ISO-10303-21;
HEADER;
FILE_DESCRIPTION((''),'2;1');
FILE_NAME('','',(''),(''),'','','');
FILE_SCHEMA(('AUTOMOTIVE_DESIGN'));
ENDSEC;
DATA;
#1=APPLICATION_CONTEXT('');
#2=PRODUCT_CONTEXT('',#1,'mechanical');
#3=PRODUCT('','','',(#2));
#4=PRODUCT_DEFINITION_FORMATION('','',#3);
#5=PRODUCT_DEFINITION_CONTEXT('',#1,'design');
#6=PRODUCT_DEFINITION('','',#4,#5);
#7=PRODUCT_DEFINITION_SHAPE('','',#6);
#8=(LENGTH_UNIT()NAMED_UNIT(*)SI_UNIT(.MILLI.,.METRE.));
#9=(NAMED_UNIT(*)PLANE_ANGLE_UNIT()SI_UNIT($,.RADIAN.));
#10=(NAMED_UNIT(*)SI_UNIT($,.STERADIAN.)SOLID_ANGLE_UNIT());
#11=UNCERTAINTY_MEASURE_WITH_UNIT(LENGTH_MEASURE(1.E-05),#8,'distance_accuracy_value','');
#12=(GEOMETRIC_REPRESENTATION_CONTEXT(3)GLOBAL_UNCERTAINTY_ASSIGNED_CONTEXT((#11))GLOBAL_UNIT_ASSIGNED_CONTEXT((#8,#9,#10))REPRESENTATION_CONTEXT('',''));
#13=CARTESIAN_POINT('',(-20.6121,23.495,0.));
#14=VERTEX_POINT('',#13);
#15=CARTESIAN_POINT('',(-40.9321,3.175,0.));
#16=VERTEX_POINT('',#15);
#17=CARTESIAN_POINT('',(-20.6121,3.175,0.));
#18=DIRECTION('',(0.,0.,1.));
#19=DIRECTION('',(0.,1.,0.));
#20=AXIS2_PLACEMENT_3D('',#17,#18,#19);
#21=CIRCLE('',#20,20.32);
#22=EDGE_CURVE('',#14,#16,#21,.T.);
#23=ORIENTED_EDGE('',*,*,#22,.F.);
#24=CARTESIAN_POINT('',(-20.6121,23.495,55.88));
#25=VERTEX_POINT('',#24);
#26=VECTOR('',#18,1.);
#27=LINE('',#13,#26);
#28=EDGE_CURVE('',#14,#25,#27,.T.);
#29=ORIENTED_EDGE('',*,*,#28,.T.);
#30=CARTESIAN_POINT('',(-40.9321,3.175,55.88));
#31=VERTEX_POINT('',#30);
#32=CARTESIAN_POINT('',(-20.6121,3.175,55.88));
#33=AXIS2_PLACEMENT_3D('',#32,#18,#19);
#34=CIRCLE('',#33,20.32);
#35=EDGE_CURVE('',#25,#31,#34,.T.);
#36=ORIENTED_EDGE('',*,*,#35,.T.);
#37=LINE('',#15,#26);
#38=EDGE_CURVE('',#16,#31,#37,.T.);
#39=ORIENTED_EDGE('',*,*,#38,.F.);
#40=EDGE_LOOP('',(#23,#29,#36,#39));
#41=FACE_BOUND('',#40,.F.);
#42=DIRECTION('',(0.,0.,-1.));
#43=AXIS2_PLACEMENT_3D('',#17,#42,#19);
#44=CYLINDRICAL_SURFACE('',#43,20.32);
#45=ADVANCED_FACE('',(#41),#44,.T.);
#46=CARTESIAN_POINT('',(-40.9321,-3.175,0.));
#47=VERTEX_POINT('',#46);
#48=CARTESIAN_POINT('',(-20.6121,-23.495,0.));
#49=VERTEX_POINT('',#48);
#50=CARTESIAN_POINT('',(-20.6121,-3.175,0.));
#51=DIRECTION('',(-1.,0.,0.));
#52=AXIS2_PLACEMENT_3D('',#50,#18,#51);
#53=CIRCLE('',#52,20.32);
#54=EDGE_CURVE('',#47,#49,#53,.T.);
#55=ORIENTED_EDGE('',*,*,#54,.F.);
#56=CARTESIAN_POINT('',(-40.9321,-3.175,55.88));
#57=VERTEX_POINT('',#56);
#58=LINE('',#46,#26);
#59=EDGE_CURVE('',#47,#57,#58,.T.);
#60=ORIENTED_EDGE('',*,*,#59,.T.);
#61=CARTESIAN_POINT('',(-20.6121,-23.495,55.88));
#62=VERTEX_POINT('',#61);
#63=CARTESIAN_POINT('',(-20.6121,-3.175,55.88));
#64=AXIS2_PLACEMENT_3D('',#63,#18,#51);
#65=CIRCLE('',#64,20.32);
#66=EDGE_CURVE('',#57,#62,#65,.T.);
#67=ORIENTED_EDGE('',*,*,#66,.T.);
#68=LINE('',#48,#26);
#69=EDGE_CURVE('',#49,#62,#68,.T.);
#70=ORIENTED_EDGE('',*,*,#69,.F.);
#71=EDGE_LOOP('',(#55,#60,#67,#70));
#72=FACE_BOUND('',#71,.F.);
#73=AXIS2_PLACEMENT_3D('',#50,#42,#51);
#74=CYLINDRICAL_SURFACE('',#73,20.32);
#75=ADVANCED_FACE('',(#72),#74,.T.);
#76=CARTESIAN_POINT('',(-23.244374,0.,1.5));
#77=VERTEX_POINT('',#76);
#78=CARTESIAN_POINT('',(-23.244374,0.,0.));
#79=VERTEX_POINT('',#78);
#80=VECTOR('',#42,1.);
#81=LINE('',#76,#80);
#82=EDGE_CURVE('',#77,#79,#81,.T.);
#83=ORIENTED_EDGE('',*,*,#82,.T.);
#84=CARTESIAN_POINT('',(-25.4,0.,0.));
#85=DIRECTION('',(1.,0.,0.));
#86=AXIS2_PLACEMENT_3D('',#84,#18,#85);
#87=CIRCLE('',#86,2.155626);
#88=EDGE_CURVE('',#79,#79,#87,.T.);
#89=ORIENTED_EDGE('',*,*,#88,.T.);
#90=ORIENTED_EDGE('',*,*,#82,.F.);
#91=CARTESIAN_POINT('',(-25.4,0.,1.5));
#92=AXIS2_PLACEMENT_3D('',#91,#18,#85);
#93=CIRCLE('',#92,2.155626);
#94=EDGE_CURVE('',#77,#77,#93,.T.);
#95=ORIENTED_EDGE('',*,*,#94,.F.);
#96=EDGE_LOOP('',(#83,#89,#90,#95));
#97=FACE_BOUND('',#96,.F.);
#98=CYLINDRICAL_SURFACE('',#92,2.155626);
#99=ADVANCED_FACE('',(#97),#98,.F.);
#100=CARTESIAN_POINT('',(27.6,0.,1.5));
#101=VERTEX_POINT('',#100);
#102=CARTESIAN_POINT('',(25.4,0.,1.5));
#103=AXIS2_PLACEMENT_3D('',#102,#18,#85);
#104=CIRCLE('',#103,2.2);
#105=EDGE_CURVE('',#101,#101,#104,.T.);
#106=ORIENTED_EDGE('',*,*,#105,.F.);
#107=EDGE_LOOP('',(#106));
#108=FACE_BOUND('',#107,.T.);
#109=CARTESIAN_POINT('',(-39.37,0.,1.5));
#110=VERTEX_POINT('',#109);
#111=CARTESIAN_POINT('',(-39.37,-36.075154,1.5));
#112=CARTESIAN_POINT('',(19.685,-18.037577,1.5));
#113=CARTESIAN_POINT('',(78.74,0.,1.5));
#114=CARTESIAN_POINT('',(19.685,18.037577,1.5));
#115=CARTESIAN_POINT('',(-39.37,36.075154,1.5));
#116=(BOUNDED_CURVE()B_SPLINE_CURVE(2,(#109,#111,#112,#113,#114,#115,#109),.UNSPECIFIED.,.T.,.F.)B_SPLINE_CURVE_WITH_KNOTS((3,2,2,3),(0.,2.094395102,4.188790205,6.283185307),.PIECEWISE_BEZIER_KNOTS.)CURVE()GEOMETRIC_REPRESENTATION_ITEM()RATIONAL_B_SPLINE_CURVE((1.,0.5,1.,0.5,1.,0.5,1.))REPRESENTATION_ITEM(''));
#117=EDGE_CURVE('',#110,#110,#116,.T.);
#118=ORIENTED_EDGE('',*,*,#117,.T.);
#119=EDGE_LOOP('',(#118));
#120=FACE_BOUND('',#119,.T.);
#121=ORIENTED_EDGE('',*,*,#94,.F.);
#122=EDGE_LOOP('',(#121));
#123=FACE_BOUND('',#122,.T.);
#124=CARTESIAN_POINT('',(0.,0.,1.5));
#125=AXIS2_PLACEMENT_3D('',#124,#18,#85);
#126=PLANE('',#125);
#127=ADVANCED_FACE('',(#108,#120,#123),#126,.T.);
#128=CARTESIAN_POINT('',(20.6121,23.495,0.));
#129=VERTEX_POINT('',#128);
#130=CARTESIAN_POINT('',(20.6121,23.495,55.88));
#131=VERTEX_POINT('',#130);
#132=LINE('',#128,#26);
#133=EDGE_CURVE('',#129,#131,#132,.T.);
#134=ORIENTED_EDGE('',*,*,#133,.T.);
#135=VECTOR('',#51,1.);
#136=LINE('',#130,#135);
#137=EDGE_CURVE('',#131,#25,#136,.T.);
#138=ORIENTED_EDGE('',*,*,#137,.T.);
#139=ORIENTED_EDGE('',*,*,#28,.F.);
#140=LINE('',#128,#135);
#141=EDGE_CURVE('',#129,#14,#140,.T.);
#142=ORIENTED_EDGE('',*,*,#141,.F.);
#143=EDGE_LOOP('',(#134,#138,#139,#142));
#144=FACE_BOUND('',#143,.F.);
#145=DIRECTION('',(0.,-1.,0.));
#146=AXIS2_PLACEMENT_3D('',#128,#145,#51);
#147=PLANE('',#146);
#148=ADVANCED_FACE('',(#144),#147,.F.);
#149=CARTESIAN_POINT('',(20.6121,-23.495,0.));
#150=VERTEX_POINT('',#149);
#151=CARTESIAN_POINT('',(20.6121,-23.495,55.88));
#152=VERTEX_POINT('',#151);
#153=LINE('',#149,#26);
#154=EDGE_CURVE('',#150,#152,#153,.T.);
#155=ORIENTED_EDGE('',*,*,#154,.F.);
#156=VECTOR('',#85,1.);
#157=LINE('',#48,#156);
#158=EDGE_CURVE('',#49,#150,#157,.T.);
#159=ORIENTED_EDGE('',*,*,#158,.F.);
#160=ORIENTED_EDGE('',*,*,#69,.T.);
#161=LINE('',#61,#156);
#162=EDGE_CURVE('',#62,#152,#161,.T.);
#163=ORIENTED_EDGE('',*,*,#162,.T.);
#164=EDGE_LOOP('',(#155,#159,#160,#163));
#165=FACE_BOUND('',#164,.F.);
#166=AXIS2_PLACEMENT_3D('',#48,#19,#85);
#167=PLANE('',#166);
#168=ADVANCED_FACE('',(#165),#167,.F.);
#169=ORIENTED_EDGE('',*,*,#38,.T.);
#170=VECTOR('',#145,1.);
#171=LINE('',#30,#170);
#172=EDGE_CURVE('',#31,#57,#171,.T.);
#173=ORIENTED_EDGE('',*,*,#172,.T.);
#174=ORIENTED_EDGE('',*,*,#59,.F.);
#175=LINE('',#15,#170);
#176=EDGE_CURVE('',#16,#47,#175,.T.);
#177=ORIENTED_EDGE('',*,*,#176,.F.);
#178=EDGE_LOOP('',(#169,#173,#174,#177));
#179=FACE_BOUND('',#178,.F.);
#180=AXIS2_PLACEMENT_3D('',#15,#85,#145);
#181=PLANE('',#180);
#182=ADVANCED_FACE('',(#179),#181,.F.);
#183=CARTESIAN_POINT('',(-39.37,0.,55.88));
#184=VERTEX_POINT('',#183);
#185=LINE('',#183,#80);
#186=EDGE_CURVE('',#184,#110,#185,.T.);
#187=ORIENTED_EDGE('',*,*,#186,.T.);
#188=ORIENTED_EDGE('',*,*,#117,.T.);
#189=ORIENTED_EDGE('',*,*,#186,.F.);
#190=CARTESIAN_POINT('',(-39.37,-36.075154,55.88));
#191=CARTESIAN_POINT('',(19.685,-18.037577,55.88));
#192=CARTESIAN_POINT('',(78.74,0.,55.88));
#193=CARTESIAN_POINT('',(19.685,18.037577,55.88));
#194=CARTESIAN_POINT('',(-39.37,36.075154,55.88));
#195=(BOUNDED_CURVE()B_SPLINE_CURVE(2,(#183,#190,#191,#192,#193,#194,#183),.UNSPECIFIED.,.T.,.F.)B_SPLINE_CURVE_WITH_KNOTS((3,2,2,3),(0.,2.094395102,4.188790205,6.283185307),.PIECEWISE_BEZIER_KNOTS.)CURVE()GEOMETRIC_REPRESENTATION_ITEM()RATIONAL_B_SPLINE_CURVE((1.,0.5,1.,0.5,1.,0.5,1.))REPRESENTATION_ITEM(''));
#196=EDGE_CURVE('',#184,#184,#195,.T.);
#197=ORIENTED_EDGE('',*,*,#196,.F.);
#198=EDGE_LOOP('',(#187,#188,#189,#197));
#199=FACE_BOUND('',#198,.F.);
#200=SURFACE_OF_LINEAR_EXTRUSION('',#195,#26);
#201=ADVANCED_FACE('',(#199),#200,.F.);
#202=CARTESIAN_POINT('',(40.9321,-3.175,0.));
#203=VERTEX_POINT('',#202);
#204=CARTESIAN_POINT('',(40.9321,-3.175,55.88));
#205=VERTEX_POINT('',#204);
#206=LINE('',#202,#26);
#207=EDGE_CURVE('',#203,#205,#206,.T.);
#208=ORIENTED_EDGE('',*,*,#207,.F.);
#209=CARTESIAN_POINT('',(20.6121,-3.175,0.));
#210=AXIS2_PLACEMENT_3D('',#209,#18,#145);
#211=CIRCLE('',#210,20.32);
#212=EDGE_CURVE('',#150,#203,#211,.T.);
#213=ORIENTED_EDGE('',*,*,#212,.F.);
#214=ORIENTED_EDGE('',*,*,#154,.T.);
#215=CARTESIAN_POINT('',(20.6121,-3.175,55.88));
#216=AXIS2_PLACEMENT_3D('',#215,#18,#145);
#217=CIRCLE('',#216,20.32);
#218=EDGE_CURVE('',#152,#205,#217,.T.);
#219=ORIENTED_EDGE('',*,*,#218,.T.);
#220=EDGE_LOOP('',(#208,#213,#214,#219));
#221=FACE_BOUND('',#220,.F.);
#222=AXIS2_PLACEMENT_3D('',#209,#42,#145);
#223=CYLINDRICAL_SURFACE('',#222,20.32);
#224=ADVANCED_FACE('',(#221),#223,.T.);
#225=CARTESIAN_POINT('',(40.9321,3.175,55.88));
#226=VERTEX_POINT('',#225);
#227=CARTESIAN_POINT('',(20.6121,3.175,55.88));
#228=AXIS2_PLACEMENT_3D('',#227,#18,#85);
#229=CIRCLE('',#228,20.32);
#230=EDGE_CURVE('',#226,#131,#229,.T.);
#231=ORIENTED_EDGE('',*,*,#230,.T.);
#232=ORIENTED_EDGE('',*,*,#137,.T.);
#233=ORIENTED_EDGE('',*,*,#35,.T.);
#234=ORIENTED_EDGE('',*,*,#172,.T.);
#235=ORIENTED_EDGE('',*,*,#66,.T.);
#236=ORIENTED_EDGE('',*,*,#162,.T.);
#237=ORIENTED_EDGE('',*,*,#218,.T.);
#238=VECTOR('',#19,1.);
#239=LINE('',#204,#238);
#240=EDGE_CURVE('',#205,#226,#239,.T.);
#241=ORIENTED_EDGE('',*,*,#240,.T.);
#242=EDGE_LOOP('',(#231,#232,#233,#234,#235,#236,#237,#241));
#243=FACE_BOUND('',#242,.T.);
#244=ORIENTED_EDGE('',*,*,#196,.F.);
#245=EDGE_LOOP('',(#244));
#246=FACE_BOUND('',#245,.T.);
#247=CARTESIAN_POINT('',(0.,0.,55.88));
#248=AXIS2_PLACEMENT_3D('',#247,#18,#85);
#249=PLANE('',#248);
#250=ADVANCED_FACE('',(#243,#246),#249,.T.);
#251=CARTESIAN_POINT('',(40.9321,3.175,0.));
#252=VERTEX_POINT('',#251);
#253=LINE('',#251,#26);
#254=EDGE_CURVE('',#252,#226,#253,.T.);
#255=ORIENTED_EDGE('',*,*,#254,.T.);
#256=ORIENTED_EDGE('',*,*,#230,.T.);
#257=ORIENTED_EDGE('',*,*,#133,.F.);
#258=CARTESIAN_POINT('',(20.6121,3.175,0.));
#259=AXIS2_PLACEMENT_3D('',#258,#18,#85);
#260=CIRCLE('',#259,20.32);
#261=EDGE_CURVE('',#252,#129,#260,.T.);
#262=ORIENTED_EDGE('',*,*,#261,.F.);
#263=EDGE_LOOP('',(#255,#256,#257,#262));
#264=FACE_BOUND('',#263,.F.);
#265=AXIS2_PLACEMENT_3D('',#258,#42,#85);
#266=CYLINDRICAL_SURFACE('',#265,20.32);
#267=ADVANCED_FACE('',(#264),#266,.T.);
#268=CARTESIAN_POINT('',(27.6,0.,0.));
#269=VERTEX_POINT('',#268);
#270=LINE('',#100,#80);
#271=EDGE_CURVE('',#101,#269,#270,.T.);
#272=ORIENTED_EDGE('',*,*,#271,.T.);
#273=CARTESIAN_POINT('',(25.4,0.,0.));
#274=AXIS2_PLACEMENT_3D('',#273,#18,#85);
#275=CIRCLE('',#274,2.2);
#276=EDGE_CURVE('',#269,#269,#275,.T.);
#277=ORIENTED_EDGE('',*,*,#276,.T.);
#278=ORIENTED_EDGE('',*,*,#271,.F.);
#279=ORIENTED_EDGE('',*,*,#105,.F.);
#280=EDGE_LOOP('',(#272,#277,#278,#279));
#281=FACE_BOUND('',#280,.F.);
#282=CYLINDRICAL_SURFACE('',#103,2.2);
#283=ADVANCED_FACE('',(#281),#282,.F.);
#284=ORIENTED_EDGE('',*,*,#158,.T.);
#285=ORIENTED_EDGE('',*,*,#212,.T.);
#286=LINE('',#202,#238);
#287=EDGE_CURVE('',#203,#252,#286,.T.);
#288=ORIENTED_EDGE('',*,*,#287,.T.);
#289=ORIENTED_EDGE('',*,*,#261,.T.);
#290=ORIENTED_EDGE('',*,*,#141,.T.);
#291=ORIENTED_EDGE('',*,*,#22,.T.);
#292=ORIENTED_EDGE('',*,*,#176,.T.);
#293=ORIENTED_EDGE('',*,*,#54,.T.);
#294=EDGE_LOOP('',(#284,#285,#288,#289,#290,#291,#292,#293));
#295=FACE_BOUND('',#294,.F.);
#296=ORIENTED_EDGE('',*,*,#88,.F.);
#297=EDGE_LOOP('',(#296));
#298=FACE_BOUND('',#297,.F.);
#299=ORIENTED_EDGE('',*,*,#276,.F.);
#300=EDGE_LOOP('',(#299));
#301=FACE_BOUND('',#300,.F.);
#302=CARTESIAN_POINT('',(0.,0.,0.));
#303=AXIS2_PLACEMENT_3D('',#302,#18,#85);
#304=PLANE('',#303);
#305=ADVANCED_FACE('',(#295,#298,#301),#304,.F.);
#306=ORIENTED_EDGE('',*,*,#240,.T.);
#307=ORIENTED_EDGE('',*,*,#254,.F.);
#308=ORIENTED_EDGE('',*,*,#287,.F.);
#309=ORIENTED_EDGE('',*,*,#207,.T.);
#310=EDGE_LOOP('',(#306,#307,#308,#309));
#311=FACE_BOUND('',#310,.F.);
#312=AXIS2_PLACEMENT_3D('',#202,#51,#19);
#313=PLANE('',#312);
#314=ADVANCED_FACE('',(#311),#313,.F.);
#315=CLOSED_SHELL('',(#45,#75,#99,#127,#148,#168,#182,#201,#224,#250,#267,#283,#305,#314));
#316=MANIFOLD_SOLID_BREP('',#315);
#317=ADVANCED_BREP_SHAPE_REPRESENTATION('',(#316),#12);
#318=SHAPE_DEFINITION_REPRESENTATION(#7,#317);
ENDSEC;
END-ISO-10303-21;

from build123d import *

# Parameters (mm, degrees)
F1_DEPTH = 55.88
F3_DEPTH = 54.38
F4_R     = 2.1556257218
F4_R_2   = 2.2
F5_DEPTH = 1.501


with BuildPart() as f1:
    # F0 (on Top) → F1 (new body)
    with BuildSketch(Plane.XY):
        with BuildLine():
            Line((20.6121, 23.495), (-20.6121, 23.495))
            ThreePointArc((-20.6121, 23.495), (-34.9805097937, 17.5434097937), (-40.9321, 3.175))
            Line((-40.9321, 3.175), (-40.9321, -3.175))
            ThreePointArc((-40.9321, -3.175), (-34.9805097937, -17.5434097937), (-20.6121, -23.495))
            Line((-20.6121, -23.495), (20.6121, -23.495))
            ThreePointArc((20.6121, -23.495), (34.9805097937, -17.5434097937), (40.9321, -3.175))
            Line((40.9321, -3.175), (40.9321, 3.175))
            ThreePointArc((40.9321, 3.175), (34.9805097937, 17.5434097937), (20.6121, 23.495))
        make_face()
    extrude(amount=F1_DEPTH)

    # F2 (on face) → F3 (cut, through all)
    with BuildSketch(Plane.XY.offset(55.88)):
        with BuildLine():
            add(Edge.make_bspline(
                [(-39.37, 0), (-39.37, -36.07515422), (19.685, -18.03757711), (78.74, 0), (19.685, 18.03757711), (-39.37, 36.07515422), (-39.37, 0)],
                knots=[0, 0, 0, 2.0943951024, 2.0943951024, 4.1887902048, 4.1887902048, 6.2831853072, 6.2831853072, 6.2831853072], degree=2, weights=[1, 0.5, 1, 0.5, 1, 0.5, 1]))
        make_face()
    extrude(amount=-F3_DEPTH, mode=Mode.SUBTRACT)

    # F4 (on face) → F5 (cut, through all)
    with BuildSketch(Plane.XY.offset(1.5)):
        with Locations((-25.4, 0)):
            Circle(F4_R)
        with Locations((25.4, 0)):
            Circle(F4_R_2)
    extrude(amount=-F5_DEPTH, mode=Mode.SUBTRACT)


solid = f1.part
